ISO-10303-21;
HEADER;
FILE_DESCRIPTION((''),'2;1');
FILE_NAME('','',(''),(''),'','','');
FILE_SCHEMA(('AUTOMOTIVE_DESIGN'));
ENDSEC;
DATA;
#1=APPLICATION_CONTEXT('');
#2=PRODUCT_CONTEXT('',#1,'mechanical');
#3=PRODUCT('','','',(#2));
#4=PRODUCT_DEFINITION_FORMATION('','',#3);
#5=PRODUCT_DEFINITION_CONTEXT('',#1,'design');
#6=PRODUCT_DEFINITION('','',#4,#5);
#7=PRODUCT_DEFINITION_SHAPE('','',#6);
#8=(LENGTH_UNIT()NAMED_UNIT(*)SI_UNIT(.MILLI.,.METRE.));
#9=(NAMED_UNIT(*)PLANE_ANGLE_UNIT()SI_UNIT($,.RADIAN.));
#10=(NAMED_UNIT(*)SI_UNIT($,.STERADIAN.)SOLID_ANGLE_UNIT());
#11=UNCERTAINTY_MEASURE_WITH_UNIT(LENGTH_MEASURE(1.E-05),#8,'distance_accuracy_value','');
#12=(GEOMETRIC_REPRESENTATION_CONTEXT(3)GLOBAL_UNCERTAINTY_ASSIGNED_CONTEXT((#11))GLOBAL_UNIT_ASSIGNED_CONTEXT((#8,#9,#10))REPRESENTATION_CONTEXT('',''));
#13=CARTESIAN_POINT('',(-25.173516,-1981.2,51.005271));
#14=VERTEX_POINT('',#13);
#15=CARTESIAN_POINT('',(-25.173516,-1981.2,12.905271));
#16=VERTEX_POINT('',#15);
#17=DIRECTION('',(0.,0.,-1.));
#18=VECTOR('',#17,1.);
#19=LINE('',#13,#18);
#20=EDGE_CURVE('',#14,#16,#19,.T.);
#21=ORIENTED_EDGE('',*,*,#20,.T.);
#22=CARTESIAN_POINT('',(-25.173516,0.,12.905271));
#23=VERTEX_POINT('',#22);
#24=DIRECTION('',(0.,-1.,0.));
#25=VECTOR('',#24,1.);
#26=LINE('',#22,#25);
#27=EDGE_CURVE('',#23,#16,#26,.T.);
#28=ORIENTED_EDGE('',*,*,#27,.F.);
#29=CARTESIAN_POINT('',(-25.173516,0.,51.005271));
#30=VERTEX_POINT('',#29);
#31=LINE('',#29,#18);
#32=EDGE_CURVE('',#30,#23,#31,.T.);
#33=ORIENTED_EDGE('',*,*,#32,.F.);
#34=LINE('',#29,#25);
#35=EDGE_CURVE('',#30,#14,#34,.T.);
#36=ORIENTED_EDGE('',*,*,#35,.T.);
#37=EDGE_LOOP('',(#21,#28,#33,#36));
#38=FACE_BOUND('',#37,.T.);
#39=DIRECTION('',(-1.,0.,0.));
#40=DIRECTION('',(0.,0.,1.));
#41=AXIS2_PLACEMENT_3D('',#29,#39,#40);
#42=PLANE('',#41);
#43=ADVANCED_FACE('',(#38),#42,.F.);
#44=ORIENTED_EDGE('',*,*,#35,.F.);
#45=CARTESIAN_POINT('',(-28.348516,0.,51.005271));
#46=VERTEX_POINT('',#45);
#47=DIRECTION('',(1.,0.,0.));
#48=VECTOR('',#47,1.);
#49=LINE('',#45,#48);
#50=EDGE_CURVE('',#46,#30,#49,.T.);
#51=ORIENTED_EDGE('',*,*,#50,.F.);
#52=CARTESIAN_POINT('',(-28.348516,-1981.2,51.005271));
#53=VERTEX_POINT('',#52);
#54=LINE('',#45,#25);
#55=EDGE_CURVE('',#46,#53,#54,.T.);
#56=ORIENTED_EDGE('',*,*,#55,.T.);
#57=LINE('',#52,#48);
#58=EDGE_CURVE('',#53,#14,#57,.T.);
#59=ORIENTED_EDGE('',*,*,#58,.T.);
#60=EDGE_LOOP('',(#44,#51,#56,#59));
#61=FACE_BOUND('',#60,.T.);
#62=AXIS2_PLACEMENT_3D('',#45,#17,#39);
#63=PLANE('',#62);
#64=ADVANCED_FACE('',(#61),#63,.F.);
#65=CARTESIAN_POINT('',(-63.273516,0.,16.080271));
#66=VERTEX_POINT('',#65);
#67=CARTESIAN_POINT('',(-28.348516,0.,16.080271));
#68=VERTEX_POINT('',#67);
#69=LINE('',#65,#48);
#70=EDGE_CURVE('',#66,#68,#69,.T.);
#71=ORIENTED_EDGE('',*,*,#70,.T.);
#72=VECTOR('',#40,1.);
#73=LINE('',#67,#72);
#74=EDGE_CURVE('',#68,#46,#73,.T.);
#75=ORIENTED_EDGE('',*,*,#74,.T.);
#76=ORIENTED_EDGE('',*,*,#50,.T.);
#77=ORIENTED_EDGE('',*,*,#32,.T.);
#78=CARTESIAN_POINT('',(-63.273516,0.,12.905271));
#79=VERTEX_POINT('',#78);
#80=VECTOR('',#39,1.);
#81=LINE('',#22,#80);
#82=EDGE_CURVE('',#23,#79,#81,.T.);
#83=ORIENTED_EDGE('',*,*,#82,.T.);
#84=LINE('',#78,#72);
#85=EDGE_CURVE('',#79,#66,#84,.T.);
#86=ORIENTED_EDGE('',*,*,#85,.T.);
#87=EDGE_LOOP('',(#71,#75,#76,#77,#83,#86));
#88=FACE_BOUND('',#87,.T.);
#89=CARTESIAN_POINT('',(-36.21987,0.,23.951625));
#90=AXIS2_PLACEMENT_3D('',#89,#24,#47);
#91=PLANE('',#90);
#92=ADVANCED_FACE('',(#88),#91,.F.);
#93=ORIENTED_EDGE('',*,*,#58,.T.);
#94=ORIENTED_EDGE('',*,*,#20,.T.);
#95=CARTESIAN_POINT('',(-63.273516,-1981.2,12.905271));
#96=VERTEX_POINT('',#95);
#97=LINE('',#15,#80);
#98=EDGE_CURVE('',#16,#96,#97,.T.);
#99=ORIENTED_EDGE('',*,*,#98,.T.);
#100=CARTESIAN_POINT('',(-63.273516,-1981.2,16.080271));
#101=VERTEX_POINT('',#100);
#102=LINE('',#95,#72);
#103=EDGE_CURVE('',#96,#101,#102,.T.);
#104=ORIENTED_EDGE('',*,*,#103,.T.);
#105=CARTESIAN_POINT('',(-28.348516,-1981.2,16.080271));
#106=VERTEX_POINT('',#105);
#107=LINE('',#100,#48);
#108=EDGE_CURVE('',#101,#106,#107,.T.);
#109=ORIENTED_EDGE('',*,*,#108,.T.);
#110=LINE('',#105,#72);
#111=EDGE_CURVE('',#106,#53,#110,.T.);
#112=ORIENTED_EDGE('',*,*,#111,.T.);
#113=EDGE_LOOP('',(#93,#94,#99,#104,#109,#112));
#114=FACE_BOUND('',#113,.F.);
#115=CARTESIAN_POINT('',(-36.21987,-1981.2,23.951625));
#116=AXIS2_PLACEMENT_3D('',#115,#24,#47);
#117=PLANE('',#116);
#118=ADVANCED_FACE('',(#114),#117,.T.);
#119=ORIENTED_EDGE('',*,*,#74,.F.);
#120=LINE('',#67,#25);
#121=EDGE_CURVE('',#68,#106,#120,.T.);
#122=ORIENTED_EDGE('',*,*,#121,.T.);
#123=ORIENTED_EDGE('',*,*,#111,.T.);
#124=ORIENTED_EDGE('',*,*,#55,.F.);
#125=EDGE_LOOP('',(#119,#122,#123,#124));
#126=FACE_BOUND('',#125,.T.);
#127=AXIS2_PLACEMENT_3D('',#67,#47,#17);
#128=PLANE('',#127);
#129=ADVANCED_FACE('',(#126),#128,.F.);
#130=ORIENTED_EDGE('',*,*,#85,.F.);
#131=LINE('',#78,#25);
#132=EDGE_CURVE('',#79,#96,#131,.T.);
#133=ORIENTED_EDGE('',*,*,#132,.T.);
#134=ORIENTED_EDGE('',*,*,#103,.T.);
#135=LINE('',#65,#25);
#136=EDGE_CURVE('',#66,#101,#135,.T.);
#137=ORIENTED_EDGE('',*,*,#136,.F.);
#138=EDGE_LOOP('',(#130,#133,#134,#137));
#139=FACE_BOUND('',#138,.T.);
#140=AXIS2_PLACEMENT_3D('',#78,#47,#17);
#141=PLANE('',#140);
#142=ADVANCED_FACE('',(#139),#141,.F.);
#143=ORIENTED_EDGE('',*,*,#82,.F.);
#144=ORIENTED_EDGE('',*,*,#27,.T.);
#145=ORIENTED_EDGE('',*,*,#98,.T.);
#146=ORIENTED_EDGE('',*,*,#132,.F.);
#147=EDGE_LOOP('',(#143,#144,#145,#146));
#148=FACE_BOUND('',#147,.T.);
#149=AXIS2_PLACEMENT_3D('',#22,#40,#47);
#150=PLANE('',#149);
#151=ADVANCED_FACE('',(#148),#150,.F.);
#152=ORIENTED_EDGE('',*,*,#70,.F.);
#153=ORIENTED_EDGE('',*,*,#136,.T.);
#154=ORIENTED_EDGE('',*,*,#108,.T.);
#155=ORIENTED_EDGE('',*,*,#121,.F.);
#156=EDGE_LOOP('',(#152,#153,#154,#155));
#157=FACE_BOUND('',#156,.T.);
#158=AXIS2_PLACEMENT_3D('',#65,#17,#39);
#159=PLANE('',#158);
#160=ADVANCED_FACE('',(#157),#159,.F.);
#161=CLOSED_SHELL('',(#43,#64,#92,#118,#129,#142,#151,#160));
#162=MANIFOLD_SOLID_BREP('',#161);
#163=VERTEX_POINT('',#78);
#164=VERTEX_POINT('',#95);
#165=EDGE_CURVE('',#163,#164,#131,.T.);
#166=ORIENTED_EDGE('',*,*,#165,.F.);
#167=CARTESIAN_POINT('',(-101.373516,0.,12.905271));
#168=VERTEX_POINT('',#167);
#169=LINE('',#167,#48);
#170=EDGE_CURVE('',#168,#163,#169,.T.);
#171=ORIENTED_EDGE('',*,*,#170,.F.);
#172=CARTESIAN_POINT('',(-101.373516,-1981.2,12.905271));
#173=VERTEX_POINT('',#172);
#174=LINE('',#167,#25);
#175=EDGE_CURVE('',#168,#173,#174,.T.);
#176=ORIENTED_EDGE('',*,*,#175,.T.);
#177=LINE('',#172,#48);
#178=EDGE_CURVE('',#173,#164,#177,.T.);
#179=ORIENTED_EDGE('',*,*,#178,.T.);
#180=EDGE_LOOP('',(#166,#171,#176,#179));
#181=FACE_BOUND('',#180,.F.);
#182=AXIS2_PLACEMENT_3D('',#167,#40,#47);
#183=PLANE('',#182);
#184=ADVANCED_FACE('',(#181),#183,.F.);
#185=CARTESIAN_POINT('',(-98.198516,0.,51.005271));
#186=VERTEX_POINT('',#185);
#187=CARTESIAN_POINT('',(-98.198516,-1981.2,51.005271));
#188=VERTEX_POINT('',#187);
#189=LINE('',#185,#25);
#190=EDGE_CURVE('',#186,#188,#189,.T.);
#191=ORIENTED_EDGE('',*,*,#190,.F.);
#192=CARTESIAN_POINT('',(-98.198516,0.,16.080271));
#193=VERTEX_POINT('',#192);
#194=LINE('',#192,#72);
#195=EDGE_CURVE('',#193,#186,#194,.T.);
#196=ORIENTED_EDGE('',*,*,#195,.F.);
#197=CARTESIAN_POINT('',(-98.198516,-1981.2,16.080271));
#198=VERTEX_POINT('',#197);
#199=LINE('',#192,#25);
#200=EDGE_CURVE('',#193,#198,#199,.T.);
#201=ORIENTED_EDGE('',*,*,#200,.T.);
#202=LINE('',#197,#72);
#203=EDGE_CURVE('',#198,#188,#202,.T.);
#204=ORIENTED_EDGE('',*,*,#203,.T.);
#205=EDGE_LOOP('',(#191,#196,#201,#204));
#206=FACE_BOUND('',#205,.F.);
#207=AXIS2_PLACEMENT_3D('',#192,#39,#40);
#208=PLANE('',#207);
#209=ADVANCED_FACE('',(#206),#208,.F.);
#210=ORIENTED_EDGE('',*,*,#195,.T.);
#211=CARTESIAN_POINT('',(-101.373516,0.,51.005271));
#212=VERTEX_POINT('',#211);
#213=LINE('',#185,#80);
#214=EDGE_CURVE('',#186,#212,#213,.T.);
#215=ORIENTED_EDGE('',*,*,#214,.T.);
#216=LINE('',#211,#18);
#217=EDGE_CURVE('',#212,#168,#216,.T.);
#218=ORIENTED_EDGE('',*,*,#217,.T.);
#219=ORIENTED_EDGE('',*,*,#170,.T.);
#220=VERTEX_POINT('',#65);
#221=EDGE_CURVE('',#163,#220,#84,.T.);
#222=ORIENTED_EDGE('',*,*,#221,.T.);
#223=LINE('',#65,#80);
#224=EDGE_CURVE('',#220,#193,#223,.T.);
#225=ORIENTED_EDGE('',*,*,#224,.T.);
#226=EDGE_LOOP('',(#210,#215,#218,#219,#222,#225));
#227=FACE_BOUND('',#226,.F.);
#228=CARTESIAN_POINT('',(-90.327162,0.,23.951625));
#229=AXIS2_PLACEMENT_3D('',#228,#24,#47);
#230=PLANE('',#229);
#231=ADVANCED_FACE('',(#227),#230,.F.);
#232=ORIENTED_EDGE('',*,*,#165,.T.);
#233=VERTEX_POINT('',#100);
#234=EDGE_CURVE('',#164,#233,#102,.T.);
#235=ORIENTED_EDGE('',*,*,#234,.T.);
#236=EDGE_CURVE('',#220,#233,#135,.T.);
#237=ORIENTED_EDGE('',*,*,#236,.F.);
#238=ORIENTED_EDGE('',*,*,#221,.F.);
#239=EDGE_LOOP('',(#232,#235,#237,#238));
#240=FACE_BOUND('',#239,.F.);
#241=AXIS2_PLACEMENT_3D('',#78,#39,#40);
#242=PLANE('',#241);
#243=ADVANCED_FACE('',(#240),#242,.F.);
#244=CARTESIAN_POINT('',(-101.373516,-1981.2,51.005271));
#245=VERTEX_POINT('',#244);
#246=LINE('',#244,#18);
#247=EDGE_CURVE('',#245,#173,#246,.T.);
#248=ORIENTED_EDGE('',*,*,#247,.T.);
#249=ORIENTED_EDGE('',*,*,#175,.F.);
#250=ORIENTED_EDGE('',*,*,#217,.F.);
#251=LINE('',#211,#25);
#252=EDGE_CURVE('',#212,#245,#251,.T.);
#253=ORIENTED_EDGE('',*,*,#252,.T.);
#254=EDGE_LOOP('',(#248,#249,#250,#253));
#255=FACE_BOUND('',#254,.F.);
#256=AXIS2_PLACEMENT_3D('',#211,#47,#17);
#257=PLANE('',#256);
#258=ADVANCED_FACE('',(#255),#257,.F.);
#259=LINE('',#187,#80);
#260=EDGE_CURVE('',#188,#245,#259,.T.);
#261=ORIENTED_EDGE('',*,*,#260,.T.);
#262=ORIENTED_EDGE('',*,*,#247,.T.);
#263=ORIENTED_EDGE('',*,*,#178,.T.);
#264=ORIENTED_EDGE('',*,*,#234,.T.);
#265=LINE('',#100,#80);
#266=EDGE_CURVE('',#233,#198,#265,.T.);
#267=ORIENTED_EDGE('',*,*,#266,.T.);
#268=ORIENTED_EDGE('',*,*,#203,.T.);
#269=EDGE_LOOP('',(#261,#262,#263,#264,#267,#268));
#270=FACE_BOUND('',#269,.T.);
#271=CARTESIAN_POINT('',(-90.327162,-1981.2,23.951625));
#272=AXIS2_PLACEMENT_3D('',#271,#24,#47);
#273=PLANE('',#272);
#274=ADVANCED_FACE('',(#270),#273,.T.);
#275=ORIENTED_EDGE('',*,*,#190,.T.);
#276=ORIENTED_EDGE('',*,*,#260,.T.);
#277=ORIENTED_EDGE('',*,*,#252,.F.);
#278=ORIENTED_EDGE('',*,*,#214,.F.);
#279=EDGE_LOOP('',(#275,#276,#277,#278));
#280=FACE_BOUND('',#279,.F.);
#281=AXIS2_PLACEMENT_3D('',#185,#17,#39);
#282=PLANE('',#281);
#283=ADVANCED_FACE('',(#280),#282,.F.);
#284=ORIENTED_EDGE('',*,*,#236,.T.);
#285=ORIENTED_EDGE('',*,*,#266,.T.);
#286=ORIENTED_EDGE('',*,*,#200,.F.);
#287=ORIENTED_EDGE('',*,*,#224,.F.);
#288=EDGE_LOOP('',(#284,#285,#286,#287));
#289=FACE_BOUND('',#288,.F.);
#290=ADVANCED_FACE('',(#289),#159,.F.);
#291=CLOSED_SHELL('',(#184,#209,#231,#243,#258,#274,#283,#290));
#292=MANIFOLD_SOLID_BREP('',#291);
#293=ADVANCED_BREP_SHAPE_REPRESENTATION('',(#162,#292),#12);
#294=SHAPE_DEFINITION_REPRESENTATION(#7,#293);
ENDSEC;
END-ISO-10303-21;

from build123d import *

# Parameters (mm, degrees)
F1_DEPTH = 1981.2


with BuildPart() as f1:
    # F0 (on Front) → F1 (new body)
    with BuildSketch(Plane.XZ):
        Polygon((-98.198516, 51.005271), (-101.373516, 51.005271), (-101.373516, 12.905271), (-63.273516, 12.905271), (-63.273516, 16.080271), (-98.198516, 16.080271), align=None)
    extrude(amount=F1_DEPTH)


with BuildPart() as f2_1:
    # F2: instance of F1
    add(f1.part.mirror(Plane(origin=(-63.273516, -990.6, 14.492771), x_dir=(0, 1, 0), z_dir=(1, 0, 0))))


solid = Compound([f1.part, f2_1.part])
